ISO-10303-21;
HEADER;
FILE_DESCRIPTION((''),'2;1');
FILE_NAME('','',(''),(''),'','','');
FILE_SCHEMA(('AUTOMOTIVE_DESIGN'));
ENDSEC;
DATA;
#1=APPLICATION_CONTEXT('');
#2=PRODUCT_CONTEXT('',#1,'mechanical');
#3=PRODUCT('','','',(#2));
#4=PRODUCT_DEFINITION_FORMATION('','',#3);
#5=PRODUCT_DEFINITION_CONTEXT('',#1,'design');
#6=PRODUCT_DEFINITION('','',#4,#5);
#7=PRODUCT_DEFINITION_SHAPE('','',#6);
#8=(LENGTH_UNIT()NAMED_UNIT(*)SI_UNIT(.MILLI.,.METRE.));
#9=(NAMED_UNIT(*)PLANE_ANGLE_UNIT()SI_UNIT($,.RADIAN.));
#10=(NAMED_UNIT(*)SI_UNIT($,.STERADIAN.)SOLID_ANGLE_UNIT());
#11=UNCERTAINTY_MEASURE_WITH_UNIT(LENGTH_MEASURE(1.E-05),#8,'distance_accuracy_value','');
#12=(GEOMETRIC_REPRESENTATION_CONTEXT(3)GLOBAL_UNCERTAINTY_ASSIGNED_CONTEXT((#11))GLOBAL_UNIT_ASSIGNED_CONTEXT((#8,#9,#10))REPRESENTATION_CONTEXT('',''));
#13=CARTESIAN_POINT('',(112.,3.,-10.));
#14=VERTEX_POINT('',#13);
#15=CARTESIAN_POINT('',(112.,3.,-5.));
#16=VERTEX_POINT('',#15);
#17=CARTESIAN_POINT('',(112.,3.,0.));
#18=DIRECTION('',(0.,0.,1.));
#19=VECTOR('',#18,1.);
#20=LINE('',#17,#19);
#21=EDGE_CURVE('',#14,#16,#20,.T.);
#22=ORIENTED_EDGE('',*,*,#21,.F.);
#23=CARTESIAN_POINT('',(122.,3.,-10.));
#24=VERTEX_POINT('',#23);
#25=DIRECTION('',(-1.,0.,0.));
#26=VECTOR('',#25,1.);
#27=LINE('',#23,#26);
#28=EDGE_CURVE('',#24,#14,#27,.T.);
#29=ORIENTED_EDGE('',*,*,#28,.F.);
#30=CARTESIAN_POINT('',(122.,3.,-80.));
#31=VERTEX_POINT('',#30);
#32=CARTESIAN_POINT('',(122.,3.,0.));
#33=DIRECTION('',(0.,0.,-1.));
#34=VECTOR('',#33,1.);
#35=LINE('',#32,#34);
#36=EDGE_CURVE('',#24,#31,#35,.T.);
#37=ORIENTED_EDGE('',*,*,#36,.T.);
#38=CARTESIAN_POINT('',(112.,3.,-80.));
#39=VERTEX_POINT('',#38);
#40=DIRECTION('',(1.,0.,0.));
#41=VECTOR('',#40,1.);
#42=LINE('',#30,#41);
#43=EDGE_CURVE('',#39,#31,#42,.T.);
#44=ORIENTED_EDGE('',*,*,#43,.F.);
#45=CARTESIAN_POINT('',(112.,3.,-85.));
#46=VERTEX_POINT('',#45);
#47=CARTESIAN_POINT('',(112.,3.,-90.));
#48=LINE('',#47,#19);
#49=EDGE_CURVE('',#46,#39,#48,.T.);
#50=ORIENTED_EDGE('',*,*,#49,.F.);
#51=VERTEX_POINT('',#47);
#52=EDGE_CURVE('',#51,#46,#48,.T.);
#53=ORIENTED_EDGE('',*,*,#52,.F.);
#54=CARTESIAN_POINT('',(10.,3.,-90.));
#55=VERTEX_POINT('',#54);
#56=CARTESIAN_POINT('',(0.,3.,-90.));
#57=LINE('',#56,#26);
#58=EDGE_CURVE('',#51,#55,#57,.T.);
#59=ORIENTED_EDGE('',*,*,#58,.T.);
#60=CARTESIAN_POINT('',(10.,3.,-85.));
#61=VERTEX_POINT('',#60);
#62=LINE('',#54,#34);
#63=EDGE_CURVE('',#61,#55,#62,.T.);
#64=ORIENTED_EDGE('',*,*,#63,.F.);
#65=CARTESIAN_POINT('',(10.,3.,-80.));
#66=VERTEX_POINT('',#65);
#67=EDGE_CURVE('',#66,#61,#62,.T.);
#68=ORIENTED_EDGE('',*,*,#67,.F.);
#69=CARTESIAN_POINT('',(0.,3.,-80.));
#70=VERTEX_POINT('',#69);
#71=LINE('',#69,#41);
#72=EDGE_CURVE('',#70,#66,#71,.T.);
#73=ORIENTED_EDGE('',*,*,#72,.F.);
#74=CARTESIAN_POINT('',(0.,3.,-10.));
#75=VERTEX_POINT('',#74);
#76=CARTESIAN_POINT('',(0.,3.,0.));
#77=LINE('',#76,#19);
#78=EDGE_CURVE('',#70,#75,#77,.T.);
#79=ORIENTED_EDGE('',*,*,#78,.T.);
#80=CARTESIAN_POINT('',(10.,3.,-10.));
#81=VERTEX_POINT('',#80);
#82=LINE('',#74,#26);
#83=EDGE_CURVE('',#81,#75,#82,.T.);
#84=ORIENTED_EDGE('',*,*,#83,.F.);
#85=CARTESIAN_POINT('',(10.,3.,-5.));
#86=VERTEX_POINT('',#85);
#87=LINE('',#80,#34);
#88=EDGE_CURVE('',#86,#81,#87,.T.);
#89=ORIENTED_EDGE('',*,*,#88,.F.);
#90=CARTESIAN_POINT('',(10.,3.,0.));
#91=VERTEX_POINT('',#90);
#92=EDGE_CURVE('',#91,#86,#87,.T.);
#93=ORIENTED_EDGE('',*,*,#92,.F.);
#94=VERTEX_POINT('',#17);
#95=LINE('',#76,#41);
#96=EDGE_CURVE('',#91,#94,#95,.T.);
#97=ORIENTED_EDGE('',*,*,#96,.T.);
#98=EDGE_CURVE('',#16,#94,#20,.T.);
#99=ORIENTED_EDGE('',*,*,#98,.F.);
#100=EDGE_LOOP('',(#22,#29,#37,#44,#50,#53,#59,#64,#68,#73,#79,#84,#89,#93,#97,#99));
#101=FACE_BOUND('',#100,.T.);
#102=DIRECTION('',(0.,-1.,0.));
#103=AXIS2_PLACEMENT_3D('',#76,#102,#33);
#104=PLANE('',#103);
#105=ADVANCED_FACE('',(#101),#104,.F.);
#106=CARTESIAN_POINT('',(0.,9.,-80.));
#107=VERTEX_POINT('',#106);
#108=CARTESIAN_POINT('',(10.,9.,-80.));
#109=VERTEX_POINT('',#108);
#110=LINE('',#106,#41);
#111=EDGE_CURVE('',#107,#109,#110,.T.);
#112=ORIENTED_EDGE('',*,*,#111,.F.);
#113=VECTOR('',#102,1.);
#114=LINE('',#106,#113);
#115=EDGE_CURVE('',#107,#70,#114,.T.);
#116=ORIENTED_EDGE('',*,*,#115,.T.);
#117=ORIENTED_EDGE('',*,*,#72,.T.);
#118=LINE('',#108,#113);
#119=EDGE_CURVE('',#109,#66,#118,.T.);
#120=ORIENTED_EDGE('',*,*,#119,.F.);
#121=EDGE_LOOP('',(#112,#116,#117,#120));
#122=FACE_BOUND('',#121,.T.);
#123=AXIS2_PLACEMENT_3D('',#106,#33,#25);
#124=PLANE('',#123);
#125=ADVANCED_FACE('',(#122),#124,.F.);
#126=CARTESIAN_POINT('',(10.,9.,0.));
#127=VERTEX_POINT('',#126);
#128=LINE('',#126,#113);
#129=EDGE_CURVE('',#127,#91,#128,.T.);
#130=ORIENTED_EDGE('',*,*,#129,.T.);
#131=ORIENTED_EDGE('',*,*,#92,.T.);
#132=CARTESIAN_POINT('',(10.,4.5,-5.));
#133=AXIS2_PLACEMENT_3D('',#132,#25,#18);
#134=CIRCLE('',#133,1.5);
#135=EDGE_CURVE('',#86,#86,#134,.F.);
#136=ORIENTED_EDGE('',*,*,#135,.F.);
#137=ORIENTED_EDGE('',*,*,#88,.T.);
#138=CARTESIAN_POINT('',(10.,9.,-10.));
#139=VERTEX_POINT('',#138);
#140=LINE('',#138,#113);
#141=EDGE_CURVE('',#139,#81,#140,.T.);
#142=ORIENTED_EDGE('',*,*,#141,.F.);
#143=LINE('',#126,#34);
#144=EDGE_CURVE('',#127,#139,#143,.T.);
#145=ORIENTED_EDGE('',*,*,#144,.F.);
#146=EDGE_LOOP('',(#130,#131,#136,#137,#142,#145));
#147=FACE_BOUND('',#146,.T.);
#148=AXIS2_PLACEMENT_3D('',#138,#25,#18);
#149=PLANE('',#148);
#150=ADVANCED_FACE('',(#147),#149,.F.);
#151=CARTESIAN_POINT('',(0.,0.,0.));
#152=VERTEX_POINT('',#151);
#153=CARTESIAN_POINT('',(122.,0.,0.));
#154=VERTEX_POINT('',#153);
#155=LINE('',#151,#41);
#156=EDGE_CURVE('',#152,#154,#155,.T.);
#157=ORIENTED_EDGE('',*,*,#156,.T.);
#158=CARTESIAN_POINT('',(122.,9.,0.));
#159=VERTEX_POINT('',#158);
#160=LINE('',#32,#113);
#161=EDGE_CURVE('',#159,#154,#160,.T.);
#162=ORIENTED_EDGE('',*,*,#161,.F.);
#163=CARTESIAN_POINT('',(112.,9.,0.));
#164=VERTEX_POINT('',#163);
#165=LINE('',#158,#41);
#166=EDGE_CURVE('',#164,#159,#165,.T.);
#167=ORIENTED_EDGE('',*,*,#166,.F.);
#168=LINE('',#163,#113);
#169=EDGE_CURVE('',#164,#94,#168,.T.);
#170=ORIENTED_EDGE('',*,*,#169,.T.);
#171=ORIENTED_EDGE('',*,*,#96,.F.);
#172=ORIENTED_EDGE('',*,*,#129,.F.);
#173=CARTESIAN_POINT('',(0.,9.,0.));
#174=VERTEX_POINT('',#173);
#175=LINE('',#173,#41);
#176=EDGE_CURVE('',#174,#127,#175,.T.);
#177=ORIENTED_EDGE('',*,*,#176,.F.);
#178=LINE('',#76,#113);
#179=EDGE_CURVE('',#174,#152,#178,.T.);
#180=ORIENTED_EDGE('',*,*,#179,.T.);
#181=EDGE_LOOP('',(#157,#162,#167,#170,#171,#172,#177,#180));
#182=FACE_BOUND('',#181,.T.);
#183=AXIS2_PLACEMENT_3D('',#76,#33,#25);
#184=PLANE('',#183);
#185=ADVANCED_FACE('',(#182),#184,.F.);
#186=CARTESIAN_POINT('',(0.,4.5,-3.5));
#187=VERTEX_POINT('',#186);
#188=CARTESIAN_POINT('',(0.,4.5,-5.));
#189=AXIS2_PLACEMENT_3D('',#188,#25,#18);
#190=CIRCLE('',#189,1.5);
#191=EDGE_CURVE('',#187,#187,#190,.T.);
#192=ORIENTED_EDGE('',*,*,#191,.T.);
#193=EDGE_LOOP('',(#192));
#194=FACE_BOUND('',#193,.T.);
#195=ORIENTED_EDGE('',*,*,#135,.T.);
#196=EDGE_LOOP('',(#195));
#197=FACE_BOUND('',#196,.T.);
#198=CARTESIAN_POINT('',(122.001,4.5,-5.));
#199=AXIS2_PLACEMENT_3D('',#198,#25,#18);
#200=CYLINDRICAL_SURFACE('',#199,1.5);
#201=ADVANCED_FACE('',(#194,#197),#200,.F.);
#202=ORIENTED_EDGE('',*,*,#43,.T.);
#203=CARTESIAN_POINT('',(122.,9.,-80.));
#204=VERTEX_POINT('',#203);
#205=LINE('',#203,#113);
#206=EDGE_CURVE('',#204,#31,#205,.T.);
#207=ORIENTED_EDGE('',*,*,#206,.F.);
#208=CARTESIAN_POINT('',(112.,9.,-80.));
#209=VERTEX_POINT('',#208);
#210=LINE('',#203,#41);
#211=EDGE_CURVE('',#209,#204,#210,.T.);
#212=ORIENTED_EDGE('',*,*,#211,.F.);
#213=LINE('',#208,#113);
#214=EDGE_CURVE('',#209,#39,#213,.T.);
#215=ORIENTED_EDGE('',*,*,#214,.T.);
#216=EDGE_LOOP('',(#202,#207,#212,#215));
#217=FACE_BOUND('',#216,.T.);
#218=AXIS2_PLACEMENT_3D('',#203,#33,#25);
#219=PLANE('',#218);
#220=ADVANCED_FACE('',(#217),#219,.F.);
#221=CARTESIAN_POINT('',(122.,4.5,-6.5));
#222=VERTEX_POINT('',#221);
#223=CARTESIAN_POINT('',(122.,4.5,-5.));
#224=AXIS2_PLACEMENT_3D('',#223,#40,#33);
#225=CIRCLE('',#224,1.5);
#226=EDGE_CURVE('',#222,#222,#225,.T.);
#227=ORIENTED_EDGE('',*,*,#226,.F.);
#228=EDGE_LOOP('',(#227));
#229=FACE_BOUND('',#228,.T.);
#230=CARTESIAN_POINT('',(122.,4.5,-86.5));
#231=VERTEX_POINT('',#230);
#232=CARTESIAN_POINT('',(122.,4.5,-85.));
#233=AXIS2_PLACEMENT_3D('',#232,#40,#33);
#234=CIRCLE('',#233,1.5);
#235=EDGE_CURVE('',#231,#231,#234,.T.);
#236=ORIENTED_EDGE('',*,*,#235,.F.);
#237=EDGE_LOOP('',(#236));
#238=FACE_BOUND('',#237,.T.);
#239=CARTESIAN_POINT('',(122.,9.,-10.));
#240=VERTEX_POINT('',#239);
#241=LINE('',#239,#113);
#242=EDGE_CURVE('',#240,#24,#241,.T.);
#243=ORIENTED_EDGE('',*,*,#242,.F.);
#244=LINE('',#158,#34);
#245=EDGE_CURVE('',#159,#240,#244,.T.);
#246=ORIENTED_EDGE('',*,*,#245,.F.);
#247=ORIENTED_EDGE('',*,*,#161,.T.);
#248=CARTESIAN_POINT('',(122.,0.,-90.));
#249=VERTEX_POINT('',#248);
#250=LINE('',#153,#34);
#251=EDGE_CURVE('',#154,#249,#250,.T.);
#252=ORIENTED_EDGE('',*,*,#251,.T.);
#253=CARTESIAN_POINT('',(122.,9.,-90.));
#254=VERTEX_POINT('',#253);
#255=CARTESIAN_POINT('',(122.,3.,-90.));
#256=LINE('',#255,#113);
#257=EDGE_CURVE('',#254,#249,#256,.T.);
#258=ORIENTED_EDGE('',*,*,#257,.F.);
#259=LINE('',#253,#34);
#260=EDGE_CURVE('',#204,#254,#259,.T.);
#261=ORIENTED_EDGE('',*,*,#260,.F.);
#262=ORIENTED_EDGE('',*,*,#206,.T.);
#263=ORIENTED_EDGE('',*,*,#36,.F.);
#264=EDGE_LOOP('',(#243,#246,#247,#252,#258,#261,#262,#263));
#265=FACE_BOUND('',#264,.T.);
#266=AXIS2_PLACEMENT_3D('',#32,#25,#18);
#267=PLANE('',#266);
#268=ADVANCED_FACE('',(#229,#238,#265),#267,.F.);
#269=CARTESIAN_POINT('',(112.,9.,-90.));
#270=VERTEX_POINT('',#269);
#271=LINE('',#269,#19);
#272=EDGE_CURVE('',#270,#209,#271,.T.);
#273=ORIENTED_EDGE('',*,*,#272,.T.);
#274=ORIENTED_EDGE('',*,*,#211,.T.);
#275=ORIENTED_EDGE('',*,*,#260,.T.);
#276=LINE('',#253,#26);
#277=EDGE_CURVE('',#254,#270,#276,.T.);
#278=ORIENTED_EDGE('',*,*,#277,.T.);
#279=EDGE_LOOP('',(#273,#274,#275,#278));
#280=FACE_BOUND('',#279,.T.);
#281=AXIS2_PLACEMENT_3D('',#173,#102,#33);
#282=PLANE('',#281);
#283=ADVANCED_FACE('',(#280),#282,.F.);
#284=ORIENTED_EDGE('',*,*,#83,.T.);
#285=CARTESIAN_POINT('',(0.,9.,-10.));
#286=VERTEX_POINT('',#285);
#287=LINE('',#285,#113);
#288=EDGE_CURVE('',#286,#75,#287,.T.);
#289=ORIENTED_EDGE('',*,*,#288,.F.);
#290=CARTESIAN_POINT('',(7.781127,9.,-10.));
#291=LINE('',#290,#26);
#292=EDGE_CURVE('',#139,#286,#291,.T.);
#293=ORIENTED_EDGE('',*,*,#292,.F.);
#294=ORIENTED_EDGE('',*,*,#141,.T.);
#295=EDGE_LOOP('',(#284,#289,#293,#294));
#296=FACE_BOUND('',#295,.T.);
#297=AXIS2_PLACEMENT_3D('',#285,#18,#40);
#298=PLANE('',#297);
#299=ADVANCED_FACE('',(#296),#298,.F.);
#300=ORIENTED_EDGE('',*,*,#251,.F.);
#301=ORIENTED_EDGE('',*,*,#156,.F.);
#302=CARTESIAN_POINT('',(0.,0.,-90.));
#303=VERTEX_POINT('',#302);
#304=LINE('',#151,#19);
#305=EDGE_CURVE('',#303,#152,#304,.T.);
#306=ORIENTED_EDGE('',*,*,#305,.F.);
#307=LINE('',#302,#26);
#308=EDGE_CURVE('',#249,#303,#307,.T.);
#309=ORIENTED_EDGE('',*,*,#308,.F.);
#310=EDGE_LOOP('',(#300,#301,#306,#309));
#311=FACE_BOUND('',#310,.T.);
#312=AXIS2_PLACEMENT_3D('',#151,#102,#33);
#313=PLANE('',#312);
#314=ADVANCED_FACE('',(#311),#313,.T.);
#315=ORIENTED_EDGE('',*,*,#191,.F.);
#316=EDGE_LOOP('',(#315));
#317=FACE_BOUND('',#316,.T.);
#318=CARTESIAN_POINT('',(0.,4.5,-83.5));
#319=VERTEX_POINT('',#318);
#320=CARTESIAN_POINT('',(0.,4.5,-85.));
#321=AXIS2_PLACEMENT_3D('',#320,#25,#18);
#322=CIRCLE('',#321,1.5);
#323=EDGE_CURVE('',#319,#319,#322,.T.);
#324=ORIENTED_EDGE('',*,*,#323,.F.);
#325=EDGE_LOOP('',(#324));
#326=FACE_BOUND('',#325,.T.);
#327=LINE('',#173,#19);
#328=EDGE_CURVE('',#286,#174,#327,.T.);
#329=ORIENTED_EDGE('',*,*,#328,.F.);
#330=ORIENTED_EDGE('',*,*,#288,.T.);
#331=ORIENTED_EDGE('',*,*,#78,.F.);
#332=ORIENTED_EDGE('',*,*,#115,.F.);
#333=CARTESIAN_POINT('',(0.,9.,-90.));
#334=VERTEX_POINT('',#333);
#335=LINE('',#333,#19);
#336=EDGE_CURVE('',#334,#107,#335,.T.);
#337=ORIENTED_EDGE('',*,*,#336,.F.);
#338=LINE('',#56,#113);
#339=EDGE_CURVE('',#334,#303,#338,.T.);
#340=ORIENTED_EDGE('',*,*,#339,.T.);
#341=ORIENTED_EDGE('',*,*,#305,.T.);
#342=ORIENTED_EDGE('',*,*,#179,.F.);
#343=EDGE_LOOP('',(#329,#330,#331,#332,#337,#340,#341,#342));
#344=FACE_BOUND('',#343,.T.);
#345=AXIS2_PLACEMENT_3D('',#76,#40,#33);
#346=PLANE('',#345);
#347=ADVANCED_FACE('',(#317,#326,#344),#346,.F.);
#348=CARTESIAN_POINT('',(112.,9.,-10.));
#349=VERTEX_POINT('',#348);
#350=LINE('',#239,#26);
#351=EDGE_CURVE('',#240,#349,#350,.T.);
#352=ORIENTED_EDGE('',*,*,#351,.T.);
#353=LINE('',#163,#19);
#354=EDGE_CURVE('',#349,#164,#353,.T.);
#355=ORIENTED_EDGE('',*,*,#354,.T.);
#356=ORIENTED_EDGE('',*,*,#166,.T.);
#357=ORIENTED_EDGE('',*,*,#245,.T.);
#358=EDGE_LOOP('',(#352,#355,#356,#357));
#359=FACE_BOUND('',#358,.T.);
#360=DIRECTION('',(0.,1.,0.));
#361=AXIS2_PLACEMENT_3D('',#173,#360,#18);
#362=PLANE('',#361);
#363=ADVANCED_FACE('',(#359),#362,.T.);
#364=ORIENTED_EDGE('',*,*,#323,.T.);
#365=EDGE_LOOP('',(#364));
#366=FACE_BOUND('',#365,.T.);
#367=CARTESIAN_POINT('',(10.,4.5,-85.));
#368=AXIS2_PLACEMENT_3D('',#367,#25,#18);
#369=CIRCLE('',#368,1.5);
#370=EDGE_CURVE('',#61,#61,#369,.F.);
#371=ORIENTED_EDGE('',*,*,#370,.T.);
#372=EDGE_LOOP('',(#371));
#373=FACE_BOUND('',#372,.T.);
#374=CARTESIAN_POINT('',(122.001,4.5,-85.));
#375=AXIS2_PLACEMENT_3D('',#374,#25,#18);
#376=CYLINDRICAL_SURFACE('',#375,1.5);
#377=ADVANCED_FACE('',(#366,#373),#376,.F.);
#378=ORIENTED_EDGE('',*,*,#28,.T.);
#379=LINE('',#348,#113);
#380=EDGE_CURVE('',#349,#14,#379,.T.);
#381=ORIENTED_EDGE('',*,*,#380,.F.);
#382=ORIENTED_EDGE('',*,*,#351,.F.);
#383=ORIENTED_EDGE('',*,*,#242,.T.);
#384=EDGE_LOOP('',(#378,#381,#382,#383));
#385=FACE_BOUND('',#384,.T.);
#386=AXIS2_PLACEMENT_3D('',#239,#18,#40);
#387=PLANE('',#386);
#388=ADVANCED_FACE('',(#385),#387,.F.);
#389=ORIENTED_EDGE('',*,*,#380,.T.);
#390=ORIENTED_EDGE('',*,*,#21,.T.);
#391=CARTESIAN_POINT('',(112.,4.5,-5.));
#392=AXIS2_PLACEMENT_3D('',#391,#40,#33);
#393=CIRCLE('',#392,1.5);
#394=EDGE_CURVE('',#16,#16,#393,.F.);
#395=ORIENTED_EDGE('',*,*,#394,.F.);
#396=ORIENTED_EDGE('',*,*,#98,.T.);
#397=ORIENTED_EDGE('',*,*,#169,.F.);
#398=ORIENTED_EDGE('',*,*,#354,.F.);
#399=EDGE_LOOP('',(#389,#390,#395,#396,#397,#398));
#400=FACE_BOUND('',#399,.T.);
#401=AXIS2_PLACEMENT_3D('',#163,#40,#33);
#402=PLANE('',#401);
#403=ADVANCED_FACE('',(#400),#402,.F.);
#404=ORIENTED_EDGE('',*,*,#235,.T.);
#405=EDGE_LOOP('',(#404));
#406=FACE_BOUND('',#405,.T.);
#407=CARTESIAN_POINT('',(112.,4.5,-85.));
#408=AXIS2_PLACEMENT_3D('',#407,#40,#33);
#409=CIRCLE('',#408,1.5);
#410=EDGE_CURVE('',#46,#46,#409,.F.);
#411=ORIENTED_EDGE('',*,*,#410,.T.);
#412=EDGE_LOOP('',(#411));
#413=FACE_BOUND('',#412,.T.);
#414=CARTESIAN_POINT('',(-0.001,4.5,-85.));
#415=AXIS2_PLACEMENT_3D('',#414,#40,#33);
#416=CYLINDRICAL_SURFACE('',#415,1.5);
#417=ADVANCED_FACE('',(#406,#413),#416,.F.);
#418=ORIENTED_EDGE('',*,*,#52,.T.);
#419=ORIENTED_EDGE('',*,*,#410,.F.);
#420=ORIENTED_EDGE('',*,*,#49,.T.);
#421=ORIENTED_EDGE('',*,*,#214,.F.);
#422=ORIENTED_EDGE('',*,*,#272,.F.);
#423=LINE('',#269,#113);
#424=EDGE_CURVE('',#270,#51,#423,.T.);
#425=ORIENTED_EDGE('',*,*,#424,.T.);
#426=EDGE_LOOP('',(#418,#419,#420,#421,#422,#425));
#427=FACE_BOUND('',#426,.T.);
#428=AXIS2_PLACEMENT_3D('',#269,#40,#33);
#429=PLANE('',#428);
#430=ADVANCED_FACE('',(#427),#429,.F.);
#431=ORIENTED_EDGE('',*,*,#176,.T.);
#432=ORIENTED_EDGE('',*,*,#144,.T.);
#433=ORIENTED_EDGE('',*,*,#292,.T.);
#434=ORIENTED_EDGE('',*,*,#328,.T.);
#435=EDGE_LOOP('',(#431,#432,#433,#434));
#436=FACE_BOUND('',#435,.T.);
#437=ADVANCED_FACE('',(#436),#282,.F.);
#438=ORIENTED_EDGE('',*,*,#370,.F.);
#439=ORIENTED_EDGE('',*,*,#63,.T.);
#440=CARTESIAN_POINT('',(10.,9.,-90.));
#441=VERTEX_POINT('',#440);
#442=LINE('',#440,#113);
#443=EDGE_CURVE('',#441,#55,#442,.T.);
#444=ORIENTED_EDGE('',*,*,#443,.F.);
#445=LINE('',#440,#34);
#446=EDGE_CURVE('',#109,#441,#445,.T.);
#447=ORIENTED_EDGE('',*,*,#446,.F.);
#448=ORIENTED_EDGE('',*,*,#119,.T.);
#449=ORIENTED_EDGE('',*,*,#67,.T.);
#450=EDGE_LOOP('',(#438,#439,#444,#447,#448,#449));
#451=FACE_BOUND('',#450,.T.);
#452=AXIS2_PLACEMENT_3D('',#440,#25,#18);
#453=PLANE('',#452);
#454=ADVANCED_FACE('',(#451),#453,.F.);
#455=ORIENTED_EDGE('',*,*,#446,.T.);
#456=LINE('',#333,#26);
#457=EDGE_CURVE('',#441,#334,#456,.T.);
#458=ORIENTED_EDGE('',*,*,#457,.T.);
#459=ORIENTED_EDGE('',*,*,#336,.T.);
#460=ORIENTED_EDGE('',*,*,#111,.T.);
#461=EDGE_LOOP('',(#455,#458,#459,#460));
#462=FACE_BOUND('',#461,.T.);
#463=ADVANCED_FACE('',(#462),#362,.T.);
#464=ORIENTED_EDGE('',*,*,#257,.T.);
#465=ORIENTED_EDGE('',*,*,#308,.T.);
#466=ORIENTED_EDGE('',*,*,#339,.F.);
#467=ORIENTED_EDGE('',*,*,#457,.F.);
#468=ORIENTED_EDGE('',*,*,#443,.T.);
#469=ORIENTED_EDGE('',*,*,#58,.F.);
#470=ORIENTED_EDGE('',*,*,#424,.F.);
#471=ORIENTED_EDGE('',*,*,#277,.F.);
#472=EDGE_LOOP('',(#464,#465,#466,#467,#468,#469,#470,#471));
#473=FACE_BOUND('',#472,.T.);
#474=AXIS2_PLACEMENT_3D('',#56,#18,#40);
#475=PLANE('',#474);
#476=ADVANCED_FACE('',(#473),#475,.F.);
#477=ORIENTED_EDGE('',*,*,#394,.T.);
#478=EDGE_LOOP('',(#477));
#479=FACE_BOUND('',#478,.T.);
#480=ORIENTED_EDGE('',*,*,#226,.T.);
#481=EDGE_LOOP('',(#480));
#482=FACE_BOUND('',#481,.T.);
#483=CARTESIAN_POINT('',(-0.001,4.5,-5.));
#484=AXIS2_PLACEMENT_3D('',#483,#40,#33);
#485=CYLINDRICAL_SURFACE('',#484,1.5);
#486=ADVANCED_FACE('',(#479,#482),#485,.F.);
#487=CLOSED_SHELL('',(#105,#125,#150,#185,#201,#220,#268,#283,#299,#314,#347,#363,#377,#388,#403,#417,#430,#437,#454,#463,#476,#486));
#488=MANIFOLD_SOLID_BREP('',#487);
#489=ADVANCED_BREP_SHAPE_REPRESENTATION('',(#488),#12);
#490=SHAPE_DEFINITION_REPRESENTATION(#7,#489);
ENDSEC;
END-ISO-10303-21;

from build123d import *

# Parameters (mm, degrees)
SKETCH1_W           = 122
SKETCH1_H           = 90
BOSS_EXTRUDE1_DEPTH = 3
SKETCH2_W           = 10
SKETCH2_H           = 10
BOSS_EXTRUDE2_DEPTH = 6
CUT_EXTRUDE2_REACH  = 153.872
SKETCH4_R           = 1.5
CUT_EXTRUDE3_REACH  = 153.872
SKETCH5_R           = 1.5


with BuildPart() as part:
    # Sketch1 → Boss-Extrude1 (new body)
    with BuildSketch(Plane(origin=(0, 0, 0), x_dir=(1, 0, 0), z_dir=(0, 1, 0))):
        with Locations((61, 45)):
            Rectangle(SKETCH1_W, SKETCH1_H)
    extrude(amount=BOSS_EXTRUDE1_DEPTH)

    # Sketch2 → Boss-Extrude2 (add)
    with BuildSketch(Plane(origin=(0, 3, 0), x_dir=(1, 0, 0), z_dir=(0, 1, 0))):
        Polygon((0, 0), (10, 0), (10, 5.706645394), (10, 10), (7.781127404, 10), (0, 10), align=None)
        with Locations((5, 85)):
            Rectangle(SKETCH2_W, SKETCH2_H)
        with Locations((117, 85)):
            Rectangle(SKETCH2_W, SKETCH2_H)
        with Locations((117, 5)):
            Rectangle(SKETCH2_W, SKETCH2_H)
    extrude(amount=BOSS_EXTRUDE2_DEPTH)

    # Sketch4 → Cut-Extrude2 (cut, up to next)
    with BuildSketch(Plane.ZY, mode=Mode.PRIVATE) as cut_extrude2_sk1:
        with Locations((-85, 4.5)):
            Circle(SKETCH4_R)
    cut_extrude2_tool1 = extrude(cut_extrude2_sk1.sketch, amount=-CUT_EXTRUDE2_REACH, mode=Mode.PRIVATE) & part.part
    # Sketch4 → Cut-Extrude2 (cut, up to next)
    with BuildSketch(Plane.ZY, mode=Mode.PRIVATE) as cut_extrude2_sk2:
        with Locations((-5, 4.5)):
            Circle(SKETCH4_R)
    cut_extrude2_tool2 = extrude(cut_extrude2_sk2.sketch, amount=-CUT_EXTRUDE2_REACH, mode=Mode.PRIVATE) & part.part
    add(cut_extrude2_tool1.solids().sort_by_distance((0, 4.5, -85))[0], mode=Mode.SUBTRACT)
    add(cut_extrude2_tool2.solids().sort_by_distance((0, 4.5, -5))[0], mode=Mode.SUBTRACT)

    # Sketch5 → Cut-Extrude3 (cut, up to next)
    with BuildSketch(Plane(origin=(122, 0, 0), x_dir=(0, 0, -1), z_dir=(1, 0, 0)), mode=Mode.PRIVATE) as cut_extrude3_sk1:
        with Locations(Location((85, 4.5, 0), (0, 0, 180))):
            Circle(SKETCH5_R)
    cut_extrude3_tool1 = extrude(cut_extrude3_sk1.sketch, amount=-CUT_EXTRUDE3_REACH, mode=Mode.PRIVATE) & part.part
    # Sketch5 → Cut-Extrude3 (cut, up to next)
    with BuildSketch(Plane(origin=(122, 0, 0), x_dir=(0, 0, -1), z_dir=(1, 0, 0)), mode=Mode.PRIVATE) as cut_extrude3_sk2:
        with Locations(Location((5, 4.5, 0), (0, 0, 180))):
            Circle(SKETCH5_R)
    cut_extrude3_tool2 = extrude(cut_extrude3_sk2.sketch, amount=-CUT_EXTRUDE3_REACH, mode=Mode.PRIVATE) & part.part
    add(cut_extrude3_tool1.solids().sort_by_distance((122, 4.5, -85))[0], mode=Mode.SUBTRACT)
    add(cut_extrude3_tool2.solids().sort_by_distance((122, 4.5, -5))[0], mode=Mode.SUBTRACT)


solid = part.part
